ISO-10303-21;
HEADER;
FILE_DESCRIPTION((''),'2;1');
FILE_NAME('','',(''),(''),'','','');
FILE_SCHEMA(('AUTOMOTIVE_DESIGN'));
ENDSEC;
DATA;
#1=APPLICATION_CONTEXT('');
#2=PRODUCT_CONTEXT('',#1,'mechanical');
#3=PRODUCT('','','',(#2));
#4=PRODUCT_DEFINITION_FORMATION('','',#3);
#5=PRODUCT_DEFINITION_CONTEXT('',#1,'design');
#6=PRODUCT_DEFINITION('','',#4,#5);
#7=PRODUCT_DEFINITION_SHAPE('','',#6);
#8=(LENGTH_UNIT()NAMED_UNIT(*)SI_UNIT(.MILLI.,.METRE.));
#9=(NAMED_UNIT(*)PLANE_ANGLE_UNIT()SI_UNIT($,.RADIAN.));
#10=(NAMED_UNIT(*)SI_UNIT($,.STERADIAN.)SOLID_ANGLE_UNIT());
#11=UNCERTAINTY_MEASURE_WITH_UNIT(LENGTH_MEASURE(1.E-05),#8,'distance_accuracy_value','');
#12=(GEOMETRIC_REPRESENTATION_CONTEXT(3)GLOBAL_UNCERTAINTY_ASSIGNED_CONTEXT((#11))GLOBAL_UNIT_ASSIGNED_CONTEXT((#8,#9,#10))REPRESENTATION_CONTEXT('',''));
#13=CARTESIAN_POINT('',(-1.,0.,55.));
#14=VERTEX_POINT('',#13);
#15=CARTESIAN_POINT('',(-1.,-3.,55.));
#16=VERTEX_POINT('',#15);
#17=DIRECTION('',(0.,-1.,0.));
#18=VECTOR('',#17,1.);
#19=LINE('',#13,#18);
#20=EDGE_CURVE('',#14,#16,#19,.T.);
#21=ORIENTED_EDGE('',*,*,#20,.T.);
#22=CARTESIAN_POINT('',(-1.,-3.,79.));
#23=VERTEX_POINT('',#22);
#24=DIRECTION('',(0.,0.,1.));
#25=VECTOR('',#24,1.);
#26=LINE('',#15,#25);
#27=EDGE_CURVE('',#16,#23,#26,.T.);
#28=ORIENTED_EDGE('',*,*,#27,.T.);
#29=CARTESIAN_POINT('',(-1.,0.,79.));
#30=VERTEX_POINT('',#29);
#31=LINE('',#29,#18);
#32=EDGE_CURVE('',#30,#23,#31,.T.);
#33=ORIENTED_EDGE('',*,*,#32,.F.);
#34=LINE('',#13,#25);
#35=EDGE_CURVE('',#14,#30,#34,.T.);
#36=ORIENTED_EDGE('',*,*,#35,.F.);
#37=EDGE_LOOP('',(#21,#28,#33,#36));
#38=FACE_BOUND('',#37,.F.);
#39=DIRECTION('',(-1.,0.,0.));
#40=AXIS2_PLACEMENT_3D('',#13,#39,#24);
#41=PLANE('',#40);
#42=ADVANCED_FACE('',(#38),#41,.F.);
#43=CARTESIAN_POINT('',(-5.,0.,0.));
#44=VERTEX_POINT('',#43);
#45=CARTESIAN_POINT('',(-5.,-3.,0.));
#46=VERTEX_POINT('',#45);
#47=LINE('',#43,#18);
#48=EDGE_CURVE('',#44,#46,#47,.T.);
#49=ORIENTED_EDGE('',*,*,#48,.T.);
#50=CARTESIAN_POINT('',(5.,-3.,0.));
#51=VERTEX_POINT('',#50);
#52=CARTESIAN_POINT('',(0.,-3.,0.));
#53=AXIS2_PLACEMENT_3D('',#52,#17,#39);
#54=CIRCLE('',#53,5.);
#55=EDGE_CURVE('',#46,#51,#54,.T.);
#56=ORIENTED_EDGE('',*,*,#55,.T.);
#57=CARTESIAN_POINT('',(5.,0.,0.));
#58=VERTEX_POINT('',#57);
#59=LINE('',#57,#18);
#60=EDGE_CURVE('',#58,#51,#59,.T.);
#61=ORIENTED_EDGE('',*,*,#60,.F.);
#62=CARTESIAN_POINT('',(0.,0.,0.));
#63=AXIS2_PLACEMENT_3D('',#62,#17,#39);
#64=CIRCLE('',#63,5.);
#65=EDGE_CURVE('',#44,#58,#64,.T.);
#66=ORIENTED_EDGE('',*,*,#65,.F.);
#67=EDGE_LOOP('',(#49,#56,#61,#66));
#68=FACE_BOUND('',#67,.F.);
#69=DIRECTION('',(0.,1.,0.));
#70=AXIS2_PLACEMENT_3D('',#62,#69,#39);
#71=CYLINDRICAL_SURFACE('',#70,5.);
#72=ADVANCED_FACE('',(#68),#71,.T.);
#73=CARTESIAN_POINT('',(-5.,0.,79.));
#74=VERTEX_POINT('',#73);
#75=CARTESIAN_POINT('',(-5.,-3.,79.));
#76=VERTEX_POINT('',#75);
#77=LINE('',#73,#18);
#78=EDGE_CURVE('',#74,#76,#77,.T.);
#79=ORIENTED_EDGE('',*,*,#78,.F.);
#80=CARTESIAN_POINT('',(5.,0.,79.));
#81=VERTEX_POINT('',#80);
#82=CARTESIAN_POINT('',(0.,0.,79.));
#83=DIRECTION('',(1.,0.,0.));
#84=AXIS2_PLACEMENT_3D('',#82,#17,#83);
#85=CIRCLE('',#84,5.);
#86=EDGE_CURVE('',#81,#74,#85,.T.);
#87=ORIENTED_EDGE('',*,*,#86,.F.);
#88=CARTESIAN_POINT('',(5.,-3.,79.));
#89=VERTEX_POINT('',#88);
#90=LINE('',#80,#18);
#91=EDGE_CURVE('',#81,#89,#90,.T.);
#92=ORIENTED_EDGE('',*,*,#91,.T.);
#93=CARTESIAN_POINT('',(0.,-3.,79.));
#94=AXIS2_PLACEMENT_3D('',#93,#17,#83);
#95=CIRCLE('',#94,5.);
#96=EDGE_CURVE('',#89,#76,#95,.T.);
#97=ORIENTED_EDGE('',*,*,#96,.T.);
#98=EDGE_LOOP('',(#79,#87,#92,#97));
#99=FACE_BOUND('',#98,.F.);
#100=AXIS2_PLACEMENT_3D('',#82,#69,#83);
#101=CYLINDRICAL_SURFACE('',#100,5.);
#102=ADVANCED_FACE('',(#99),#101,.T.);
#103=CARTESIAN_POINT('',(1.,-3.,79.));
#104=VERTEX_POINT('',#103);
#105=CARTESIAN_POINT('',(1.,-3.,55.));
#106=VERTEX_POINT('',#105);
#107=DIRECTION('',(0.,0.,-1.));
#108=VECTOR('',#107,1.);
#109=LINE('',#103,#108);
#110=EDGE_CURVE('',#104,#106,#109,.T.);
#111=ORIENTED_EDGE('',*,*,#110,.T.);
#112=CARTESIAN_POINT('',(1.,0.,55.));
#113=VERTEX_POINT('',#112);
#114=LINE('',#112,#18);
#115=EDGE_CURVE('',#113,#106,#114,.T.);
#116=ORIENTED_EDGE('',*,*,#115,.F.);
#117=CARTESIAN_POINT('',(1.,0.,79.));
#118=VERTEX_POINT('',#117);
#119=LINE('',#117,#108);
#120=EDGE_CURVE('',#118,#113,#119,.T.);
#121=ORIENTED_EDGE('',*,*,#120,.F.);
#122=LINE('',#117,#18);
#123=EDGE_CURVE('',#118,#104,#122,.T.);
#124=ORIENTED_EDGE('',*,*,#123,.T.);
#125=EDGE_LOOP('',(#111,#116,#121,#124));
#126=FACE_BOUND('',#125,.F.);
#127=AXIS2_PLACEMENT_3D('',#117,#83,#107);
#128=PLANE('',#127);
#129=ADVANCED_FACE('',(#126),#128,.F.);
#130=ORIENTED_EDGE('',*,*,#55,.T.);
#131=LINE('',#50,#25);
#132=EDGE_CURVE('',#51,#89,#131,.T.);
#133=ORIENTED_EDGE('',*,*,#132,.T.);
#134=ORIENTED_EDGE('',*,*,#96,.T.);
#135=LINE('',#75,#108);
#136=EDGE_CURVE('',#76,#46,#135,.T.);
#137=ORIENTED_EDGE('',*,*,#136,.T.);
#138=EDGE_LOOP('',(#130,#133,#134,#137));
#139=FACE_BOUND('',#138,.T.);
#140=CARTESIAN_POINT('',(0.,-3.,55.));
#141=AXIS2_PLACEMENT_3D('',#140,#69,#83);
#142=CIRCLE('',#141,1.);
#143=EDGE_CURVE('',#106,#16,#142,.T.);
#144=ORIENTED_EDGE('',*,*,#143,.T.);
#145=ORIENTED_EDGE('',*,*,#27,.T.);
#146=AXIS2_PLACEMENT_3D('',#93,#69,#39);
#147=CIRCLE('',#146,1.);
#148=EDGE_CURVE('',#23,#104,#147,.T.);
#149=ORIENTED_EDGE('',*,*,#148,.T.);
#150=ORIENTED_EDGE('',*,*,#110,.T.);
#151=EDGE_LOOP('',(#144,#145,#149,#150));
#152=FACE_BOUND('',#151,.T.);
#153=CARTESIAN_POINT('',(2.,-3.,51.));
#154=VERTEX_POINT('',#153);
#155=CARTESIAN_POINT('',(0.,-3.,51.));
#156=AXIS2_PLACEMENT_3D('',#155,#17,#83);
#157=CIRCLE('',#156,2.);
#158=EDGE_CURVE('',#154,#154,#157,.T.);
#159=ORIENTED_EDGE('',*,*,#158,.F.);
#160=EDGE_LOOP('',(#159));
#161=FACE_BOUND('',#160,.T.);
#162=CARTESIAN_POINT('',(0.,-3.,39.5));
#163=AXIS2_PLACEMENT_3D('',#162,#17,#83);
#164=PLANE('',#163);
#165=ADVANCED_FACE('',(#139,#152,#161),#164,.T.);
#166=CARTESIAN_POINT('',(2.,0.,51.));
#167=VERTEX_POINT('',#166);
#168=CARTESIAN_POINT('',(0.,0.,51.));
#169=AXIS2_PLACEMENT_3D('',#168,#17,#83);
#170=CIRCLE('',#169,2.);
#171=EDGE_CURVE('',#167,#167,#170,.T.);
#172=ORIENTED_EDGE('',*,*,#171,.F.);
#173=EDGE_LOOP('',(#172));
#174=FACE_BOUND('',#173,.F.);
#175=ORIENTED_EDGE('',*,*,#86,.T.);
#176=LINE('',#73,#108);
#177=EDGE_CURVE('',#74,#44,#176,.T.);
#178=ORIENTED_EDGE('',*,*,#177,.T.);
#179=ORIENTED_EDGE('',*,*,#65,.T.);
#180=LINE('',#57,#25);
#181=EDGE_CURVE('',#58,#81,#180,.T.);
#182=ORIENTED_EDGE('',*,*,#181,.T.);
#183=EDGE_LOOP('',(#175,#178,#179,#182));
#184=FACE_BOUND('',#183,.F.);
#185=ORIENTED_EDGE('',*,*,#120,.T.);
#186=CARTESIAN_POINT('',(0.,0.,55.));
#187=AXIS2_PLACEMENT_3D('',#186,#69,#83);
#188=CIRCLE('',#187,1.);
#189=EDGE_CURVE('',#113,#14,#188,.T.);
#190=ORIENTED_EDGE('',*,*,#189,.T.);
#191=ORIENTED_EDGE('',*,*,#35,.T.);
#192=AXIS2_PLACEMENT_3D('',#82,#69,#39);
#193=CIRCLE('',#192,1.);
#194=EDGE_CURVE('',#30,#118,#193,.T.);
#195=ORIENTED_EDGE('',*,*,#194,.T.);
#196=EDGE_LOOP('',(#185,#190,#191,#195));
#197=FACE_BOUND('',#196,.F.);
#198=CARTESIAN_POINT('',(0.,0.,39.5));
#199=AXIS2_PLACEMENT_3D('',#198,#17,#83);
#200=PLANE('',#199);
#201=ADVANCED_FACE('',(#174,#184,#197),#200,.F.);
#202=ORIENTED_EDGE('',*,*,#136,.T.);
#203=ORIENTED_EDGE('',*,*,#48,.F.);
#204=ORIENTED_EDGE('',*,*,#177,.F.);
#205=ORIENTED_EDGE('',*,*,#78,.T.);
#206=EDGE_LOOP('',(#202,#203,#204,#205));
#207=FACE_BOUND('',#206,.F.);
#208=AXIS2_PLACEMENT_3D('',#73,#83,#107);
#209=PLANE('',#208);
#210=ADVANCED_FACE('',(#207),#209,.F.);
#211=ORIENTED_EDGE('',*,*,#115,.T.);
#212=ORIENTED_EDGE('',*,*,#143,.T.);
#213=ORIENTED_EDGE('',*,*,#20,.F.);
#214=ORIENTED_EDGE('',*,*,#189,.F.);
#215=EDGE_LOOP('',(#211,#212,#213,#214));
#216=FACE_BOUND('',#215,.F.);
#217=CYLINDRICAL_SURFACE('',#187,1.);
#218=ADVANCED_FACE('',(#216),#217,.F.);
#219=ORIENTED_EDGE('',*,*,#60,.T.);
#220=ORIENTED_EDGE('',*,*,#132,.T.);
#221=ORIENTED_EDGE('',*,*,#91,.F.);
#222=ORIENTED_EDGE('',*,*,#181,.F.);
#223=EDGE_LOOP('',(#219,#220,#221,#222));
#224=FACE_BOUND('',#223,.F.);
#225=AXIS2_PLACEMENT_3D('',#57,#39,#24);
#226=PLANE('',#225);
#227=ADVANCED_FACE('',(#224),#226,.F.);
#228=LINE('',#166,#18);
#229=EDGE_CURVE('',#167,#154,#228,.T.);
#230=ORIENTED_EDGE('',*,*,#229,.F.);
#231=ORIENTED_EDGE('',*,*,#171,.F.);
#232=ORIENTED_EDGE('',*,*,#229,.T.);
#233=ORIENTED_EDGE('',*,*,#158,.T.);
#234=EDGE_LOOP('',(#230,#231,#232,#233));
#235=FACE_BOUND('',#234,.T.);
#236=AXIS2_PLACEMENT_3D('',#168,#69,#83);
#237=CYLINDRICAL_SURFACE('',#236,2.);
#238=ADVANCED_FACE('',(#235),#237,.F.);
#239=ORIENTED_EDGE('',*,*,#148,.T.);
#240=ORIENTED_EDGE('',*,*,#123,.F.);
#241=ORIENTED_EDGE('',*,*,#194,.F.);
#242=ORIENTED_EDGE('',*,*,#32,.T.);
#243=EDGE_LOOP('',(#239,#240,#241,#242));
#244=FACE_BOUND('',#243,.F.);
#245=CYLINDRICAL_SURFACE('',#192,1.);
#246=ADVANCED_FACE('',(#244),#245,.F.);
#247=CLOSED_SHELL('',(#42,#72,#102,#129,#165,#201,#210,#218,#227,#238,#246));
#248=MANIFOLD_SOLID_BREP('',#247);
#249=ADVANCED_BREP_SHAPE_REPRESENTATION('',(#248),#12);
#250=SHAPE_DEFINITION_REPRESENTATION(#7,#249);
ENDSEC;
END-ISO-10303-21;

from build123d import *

# Parameters (mm, degrees)
F0_R     = 2
F1_DEPTH = 3


with BuildPart() as f1:
    # F0 (on Front) → F1 (new body)
    with BuildSketch(Plane.XZ):
        with BuildLine():
            Line((-5, 79), (-5, 0))
            ThreePointArc((-5, 0), (0, -5), (5, 0))
            Line((5, 0), (5, 79))
            ThreePointArc((5, 79), (0, 84), (-5, 79))
        make_face()
        with Locations((0, 51)):
            Circle(F0_R, mode=Mode.SUBTRACT)
        with BuildLine():
            ThreePointArc((-1, 79), (0, 80), (1, 79))
            Line((1, 79), (1, 55))
            ThreePointArc((1, 55), (0, 54), (-1, 55))
            Line((-1, 55), (-1, 79))
        make_face(mode=Mode.SUBTRACT)
    extrude(amount=F1_DEPTH)


solid = f1.part
